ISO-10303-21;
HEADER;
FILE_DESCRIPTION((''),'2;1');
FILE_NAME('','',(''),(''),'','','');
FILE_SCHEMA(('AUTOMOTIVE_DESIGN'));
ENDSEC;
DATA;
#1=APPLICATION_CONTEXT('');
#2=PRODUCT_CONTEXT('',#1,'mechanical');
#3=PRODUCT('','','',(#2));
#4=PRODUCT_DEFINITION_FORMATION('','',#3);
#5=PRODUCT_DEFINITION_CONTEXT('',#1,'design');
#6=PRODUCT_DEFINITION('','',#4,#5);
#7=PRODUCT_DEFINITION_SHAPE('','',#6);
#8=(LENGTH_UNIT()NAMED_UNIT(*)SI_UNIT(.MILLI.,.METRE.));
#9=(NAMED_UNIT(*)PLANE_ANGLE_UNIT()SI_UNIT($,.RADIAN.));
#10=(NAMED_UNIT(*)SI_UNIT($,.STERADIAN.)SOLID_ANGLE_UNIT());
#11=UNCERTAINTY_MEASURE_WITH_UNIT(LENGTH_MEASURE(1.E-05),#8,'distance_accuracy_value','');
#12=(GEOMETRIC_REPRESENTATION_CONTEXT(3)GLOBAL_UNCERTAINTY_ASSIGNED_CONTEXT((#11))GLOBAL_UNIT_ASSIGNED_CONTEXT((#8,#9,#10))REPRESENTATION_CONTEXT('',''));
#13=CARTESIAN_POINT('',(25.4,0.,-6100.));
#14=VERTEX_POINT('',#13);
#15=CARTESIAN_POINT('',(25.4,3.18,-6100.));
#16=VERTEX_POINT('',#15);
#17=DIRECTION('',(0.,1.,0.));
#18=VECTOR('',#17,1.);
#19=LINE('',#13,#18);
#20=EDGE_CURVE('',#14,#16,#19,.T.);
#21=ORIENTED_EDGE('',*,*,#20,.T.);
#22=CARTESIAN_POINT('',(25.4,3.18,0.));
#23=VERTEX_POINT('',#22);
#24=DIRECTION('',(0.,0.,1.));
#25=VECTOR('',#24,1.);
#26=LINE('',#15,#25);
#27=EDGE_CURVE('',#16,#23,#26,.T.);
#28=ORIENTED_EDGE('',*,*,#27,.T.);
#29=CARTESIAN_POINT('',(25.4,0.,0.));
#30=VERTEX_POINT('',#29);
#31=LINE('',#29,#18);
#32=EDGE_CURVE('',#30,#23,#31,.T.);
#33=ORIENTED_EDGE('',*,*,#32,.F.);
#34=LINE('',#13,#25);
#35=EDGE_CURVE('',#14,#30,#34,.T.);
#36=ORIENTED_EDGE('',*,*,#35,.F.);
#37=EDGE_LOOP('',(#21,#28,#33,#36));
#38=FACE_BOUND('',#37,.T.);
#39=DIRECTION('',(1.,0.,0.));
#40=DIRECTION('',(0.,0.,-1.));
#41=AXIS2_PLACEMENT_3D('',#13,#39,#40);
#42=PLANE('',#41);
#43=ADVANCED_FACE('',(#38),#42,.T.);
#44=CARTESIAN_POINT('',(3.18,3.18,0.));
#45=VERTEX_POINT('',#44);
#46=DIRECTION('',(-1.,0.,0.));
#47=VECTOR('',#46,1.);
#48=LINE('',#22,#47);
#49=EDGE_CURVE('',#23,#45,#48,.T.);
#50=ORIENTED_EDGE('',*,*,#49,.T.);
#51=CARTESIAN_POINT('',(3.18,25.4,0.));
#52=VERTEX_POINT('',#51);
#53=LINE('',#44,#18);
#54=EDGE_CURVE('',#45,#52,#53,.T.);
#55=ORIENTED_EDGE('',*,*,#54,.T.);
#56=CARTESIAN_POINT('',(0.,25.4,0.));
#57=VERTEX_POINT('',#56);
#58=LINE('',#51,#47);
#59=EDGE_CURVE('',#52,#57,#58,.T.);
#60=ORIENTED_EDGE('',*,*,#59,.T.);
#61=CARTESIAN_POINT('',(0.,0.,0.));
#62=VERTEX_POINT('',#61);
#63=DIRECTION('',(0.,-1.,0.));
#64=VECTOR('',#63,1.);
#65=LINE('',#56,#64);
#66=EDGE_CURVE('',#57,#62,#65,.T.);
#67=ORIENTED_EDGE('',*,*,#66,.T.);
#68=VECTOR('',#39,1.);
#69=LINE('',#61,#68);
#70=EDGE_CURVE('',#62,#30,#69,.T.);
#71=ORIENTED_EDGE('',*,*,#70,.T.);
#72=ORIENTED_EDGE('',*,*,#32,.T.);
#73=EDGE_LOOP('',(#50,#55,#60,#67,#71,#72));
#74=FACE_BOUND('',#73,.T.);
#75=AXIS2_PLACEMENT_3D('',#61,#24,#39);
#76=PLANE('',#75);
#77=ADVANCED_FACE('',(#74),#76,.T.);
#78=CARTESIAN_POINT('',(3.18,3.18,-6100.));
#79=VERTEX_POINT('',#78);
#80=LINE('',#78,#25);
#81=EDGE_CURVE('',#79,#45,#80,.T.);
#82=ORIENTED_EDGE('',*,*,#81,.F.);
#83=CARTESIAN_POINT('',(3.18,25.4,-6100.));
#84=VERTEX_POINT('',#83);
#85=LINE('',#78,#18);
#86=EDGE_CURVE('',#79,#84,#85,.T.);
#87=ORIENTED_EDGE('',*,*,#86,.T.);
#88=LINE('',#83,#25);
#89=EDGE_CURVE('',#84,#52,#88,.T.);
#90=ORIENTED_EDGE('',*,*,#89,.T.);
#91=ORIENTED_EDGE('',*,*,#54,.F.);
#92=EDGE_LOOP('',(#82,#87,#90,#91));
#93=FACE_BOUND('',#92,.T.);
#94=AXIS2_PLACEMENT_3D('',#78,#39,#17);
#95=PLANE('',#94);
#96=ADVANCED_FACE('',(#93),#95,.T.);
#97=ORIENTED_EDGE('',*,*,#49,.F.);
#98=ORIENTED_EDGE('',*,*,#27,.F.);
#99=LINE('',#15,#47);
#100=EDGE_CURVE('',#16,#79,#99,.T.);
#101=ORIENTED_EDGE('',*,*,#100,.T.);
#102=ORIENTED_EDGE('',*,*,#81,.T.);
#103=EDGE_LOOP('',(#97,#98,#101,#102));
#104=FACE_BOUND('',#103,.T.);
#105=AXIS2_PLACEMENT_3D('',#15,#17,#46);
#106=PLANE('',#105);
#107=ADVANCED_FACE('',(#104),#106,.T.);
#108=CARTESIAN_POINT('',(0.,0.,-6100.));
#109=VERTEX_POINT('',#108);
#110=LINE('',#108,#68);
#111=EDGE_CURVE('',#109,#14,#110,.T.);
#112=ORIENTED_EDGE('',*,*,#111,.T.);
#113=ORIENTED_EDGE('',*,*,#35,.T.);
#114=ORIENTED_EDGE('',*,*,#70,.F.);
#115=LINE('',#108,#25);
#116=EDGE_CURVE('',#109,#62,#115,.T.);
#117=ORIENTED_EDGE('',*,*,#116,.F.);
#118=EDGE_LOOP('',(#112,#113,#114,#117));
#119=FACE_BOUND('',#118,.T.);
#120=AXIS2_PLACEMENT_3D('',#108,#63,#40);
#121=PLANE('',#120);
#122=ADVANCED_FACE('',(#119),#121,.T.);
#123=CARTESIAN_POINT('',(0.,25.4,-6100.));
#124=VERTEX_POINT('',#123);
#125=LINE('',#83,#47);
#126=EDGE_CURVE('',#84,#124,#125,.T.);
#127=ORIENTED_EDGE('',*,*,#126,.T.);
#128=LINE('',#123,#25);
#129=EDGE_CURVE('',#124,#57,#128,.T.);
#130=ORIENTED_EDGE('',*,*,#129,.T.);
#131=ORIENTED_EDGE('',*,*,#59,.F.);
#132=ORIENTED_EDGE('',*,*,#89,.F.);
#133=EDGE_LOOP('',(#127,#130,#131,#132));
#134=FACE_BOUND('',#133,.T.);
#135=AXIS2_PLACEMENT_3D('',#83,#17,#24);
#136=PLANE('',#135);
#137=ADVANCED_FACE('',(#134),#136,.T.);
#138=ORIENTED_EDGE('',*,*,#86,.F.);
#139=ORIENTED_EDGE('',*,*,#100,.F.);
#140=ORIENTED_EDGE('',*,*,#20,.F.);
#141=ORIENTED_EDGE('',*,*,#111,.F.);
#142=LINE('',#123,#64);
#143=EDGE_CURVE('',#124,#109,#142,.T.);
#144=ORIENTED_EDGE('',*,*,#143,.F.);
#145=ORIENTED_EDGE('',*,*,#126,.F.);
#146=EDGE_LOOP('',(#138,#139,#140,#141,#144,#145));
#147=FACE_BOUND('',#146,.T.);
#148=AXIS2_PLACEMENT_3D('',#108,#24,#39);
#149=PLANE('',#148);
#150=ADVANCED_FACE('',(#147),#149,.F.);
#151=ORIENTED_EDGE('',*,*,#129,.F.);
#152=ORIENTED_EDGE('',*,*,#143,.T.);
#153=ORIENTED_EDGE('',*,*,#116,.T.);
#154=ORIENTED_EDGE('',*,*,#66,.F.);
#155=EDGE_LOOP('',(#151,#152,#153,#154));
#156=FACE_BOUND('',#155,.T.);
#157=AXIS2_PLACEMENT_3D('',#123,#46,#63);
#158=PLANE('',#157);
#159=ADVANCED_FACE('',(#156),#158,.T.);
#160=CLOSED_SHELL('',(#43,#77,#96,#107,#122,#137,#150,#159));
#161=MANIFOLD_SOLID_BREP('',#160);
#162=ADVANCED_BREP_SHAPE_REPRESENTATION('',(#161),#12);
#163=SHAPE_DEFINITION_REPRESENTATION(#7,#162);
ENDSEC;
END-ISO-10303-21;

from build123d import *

# Parameters (mm, degrees)
SALIENTE_EXTRUIR1_DEPTH = 6100


with BuildPart() as part:
    # Croquis1 → Saliente-Extruir1 (new body)
    with BuildSketch(Plane.XY):
        Polygon((0, 25.4), (0, 0), (25.4, 0), (25.4, 3.18), (3.18, 3.18), (3.18, 25.4), align=None)
    extrude(amount=-SALIENTE_EXTRUIR1_DEPTH)


solid = part.part
